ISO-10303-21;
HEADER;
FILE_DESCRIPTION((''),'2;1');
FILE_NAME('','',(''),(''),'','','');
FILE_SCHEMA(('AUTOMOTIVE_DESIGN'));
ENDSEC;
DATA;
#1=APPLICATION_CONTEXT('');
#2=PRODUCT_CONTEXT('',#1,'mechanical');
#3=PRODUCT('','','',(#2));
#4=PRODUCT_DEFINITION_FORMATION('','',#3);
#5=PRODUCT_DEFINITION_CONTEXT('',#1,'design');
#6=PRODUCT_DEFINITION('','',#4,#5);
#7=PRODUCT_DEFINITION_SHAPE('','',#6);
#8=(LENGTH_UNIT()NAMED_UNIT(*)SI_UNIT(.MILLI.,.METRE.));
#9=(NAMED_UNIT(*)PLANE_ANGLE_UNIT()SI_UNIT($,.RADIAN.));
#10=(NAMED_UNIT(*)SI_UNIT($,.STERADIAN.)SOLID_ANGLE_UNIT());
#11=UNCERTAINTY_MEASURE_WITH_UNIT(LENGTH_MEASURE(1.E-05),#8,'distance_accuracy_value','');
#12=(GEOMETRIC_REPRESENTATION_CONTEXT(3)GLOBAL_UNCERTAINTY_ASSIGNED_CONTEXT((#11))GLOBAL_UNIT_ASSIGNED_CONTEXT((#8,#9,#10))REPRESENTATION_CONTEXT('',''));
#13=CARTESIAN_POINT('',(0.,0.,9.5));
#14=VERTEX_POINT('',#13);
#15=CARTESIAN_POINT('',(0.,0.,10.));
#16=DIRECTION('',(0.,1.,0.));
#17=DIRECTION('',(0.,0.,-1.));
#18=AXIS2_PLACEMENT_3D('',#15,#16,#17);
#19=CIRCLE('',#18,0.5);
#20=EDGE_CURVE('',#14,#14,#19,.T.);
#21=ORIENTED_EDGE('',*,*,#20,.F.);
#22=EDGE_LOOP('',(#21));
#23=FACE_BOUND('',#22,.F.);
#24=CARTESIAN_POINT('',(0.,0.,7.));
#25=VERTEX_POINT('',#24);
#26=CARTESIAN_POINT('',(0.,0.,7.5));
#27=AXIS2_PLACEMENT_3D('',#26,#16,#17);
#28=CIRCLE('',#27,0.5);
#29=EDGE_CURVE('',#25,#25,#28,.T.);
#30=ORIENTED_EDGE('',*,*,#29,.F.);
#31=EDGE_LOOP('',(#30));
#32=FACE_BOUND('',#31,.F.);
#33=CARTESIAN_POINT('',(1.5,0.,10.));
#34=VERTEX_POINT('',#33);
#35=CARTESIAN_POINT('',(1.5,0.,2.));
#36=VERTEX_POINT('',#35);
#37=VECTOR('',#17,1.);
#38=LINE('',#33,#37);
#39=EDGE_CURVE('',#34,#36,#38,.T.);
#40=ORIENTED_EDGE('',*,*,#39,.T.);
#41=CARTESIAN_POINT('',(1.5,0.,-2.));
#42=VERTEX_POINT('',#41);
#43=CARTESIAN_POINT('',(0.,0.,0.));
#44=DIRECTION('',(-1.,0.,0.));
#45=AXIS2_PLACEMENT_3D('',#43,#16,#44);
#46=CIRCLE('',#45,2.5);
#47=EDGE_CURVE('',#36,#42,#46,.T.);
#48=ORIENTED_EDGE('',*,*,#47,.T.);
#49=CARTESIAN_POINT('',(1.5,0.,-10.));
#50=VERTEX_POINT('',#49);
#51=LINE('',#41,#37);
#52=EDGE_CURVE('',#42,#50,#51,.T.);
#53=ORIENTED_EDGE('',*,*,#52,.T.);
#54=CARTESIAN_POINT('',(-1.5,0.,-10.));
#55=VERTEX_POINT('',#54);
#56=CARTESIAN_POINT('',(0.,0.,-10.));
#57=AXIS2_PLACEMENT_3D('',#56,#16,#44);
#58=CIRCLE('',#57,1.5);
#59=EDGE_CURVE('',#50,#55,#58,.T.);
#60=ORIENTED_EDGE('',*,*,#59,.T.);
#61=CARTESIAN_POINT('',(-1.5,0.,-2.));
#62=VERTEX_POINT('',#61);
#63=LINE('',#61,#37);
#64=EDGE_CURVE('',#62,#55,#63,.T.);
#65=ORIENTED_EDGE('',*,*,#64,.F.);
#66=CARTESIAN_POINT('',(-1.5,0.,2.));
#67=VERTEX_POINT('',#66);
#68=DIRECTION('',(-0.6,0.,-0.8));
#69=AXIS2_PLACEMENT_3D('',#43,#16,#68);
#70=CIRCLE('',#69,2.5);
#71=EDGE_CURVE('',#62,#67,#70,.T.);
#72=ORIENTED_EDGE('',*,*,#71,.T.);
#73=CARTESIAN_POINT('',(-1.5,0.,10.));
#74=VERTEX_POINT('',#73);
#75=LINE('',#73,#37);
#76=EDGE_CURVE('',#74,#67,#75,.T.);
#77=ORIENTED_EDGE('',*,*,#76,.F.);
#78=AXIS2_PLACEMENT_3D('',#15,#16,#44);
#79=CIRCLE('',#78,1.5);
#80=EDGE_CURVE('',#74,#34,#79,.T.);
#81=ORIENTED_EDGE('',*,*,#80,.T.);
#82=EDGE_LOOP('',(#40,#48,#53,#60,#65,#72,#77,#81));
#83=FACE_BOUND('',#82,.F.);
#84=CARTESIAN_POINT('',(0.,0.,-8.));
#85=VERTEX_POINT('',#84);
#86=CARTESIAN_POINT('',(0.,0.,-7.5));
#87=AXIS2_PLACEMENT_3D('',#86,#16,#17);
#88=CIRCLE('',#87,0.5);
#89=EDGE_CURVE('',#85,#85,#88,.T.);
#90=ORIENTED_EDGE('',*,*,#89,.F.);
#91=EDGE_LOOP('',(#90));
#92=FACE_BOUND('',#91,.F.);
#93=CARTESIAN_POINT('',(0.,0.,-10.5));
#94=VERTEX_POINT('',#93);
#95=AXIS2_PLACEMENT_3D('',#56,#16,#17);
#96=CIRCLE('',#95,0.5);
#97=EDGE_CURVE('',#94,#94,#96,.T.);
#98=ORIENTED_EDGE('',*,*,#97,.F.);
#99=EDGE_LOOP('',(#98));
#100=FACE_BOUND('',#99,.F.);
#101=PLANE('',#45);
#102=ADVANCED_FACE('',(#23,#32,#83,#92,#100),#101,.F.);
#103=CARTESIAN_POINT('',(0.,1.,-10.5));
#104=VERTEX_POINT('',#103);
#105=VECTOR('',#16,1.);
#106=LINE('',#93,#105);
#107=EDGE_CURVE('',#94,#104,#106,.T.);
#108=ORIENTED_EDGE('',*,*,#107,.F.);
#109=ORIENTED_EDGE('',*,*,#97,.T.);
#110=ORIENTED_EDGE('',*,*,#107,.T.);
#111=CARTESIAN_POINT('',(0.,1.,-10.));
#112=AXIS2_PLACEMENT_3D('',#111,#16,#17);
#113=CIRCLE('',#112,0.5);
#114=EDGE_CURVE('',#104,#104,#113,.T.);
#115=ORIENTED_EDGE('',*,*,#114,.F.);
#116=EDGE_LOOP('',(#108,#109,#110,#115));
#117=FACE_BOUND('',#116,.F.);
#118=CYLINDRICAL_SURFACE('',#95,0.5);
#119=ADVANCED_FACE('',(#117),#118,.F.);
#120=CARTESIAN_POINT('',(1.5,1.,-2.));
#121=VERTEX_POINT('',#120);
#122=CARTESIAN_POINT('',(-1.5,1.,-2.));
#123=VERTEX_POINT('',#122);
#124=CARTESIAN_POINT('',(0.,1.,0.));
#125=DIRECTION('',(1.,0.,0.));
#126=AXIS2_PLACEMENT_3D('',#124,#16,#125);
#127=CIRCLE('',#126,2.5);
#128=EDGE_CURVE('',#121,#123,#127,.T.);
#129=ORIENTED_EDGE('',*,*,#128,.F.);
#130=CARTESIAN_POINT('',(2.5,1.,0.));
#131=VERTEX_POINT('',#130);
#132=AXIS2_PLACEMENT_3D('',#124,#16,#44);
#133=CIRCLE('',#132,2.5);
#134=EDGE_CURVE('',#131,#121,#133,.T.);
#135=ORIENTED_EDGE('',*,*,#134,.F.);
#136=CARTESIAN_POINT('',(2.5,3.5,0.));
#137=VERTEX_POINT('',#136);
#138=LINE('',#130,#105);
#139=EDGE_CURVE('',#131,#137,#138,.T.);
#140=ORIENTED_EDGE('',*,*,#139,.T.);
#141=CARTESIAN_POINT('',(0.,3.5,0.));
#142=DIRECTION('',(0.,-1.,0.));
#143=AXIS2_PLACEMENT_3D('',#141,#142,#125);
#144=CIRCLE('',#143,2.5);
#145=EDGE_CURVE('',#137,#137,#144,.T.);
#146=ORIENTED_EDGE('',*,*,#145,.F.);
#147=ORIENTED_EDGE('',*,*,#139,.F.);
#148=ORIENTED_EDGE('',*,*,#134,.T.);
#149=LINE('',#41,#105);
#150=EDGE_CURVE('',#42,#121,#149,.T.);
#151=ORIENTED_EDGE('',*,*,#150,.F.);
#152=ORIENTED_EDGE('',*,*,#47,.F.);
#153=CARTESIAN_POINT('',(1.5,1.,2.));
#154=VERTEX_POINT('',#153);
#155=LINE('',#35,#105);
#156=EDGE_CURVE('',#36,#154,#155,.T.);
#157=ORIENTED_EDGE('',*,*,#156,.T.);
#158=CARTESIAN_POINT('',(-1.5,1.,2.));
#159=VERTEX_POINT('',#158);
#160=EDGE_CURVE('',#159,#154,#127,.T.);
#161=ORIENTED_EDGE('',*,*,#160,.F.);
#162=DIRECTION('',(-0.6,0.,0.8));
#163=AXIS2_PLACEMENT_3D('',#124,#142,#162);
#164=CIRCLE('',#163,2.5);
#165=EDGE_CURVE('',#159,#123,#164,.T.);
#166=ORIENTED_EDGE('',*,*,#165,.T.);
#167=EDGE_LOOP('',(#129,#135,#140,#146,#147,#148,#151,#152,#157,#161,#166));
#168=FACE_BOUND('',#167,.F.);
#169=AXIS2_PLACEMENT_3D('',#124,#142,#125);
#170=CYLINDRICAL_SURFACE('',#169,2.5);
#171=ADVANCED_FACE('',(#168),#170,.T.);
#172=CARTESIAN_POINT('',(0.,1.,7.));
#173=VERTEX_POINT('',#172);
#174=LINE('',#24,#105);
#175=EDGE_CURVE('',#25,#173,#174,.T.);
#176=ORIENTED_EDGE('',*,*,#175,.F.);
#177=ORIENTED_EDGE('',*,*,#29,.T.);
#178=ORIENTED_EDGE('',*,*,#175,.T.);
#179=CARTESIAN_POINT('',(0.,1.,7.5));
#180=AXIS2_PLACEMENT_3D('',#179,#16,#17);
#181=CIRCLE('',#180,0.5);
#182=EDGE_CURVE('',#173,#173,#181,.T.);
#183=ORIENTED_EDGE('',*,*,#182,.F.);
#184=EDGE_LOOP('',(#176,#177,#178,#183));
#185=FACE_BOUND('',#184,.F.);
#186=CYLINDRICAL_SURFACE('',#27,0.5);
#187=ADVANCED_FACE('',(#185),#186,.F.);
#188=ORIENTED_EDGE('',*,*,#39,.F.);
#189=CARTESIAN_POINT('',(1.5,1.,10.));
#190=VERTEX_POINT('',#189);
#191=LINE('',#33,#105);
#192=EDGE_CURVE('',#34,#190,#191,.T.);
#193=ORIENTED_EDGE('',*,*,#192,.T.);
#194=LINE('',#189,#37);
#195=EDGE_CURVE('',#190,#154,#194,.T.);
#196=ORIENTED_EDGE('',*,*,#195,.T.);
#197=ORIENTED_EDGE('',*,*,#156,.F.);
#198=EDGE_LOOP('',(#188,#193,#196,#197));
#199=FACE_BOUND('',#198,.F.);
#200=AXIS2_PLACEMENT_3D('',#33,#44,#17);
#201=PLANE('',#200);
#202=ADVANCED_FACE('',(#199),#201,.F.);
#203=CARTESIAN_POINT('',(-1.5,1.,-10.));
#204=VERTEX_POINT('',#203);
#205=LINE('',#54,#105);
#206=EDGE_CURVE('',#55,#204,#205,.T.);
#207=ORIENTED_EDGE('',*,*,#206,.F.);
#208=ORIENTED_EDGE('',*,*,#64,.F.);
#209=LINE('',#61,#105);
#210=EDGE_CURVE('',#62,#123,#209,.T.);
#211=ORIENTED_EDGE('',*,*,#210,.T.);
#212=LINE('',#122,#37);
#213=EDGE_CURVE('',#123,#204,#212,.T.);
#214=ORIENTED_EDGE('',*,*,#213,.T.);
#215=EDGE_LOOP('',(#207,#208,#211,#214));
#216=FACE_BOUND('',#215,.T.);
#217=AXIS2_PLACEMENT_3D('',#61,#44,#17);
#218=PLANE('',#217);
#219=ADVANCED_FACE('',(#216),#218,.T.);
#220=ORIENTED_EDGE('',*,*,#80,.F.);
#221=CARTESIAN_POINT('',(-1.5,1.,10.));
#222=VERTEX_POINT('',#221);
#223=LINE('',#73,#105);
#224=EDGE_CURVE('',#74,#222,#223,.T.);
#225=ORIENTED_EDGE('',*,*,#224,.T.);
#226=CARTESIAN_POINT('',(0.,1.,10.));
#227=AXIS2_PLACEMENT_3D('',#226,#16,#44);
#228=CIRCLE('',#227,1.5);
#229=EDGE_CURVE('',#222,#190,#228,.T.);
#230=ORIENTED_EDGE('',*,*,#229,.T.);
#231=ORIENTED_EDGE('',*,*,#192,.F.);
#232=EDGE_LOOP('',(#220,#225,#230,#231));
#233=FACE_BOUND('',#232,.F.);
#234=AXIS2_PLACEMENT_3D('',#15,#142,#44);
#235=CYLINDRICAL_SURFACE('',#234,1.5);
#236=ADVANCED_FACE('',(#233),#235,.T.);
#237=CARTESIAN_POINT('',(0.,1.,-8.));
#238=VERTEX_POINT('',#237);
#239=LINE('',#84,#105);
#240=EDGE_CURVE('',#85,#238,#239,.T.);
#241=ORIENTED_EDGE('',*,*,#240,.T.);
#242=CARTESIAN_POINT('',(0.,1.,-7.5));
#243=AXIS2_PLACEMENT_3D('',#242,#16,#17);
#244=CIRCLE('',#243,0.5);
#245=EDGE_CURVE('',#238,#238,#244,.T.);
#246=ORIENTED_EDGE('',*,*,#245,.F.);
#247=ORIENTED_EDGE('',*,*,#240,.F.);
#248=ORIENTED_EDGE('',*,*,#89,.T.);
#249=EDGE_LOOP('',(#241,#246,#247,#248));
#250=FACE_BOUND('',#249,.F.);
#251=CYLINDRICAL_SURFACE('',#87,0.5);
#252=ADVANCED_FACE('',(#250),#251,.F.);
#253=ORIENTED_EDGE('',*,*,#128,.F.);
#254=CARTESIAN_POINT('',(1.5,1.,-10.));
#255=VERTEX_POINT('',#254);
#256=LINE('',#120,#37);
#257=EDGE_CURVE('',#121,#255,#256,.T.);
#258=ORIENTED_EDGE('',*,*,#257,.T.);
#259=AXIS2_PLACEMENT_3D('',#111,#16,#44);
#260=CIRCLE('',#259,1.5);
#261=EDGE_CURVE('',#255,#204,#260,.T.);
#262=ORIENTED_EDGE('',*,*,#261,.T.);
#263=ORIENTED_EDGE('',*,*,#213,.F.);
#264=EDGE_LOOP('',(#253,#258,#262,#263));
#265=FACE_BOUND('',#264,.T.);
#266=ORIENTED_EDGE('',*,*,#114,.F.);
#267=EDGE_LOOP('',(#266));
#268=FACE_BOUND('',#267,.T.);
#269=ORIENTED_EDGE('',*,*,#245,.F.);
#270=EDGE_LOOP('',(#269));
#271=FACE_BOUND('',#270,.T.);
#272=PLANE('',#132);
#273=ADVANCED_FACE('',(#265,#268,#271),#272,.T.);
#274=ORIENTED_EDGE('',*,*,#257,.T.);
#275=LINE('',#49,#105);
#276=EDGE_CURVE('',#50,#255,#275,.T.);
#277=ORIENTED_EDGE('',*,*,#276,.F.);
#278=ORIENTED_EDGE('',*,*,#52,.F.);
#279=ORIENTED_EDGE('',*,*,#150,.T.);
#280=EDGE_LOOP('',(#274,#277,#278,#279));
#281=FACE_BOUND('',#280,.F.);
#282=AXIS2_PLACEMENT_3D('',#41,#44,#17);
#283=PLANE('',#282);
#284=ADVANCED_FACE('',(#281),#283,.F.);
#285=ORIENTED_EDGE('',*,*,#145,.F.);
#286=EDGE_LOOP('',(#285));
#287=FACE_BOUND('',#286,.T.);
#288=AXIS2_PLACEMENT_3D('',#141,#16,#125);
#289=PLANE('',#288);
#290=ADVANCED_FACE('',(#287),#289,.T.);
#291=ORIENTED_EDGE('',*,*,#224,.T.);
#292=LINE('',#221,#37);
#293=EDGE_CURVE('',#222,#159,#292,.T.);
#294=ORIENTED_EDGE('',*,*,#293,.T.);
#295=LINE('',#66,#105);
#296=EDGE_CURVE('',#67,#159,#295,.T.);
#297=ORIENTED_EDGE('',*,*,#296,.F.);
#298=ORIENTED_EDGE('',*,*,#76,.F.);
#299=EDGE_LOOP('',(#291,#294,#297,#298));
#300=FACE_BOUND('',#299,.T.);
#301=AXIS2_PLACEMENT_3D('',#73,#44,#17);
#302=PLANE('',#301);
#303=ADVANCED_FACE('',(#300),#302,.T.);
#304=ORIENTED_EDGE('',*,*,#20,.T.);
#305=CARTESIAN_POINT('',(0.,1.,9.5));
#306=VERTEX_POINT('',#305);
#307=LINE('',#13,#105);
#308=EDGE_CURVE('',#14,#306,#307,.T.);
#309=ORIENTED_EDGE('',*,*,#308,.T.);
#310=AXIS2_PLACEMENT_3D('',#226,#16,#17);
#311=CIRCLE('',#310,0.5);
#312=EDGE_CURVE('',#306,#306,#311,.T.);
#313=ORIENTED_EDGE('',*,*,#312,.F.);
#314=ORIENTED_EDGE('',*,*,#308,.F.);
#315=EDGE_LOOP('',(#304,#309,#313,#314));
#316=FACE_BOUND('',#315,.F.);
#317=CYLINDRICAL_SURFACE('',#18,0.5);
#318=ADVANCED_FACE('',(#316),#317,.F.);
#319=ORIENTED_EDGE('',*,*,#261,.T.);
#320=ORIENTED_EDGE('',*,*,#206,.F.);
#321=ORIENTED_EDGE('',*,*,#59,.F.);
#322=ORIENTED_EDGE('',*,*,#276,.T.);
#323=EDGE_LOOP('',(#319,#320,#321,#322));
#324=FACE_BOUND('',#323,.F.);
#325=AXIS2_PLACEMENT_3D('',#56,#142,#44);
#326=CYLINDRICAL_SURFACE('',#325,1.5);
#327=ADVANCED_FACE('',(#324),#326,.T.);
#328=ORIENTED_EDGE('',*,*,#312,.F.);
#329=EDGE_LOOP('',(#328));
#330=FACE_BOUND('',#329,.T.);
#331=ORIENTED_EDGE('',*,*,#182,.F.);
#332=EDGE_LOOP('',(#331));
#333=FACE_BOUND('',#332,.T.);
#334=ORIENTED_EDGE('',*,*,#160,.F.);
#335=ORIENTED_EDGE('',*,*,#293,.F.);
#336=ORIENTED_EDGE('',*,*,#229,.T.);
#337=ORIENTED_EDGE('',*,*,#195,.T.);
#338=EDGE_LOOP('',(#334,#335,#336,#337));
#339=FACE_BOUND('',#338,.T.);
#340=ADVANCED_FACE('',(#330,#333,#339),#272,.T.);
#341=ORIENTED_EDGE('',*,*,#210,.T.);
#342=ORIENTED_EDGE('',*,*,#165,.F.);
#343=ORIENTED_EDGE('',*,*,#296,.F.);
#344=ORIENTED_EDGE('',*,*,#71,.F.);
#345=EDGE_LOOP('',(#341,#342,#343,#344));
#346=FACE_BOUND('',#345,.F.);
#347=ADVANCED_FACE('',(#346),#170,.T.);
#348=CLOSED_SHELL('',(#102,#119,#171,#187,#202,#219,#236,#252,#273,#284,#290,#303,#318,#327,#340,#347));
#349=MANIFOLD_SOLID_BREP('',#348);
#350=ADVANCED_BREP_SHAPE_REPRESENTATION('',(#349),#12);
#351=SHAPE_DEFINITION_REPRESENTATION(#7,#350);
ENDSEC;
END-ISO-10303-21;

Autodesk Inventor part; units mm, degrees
ref_plane "YZ Plane" through (0, 0, 0) normal (1, 0, 0) x (0, 1, 0)
ref_plane "XZ Plane" through (0, 0, 0) normal (0, 1, 0) x (-1, 0, 0)
ref_plane "XY Plane" through (0, 0, 0) normal (0, 0, 1) x (1, 0, 0)
sketch "スケッチ1" plane through (0, 0, 0) normal (0, 1, 0) x (-1, 0, 0)
  circle A0 centre (0, 0) radius 2.5
  circle A1 centre (0, 10) radius 1.5
  circle A2 centre (0, -10) radius 1.5
  line L0 (1.5, 10) -> (1.5, 2)
  line L1 (-1.5, 10) -> (-1.5, 2)
  line L2 (-1.5, -2) -> (-1.5, -10)
  line L3 (1.5, -2) -> (1.5, -10)
  dimension "d0" = 5
  dimension "d1" = 3
  dimension "d2" = 3
  dimension "d3" = 10
  dimension "d4" = 10
extrude "押し出し1" add sketch "スケッチ1" along normal blind 1
sketch "スケッチ2" plane through (0, 1, 0) normal (0, 1, 0) x (1, 0, 0)
  arc A0 (-1.5, 2) -> (-1.5, -2) centre (0, 0) ccw projected
  circle A1 centre (0, 0) radius 2.5 projected
extrude "押し出し2" add sketch "スケッチ2" along normal blind 2.5
sketch "スケッチ3" plane through (0, 0, 0) normal (0, -1, 0) x (1, 0, 0)
  arc A0 (1.5, 10) -> (-1.5, 10) centre (0, 10) ccw projected
  arc A1 (-1.5, -10) -> (1.5, -10) centre (0, -10) ccw projected
  point P0 (0, 7.5)
  point P1 (0, -7.5)
  dimension "d9" = 2.5
  dimension "d10" = 2.5
hole "穴1" at (0, 0, 10) at (0, 0, -10) at (0, 0, 7.5) at (0, 0, -7.5) direction (0, 1, 0) diameter 1 end through all
equation "\"d4\" = d3"
equation "\"d10\" = d9"
properties part number "ナックル"
